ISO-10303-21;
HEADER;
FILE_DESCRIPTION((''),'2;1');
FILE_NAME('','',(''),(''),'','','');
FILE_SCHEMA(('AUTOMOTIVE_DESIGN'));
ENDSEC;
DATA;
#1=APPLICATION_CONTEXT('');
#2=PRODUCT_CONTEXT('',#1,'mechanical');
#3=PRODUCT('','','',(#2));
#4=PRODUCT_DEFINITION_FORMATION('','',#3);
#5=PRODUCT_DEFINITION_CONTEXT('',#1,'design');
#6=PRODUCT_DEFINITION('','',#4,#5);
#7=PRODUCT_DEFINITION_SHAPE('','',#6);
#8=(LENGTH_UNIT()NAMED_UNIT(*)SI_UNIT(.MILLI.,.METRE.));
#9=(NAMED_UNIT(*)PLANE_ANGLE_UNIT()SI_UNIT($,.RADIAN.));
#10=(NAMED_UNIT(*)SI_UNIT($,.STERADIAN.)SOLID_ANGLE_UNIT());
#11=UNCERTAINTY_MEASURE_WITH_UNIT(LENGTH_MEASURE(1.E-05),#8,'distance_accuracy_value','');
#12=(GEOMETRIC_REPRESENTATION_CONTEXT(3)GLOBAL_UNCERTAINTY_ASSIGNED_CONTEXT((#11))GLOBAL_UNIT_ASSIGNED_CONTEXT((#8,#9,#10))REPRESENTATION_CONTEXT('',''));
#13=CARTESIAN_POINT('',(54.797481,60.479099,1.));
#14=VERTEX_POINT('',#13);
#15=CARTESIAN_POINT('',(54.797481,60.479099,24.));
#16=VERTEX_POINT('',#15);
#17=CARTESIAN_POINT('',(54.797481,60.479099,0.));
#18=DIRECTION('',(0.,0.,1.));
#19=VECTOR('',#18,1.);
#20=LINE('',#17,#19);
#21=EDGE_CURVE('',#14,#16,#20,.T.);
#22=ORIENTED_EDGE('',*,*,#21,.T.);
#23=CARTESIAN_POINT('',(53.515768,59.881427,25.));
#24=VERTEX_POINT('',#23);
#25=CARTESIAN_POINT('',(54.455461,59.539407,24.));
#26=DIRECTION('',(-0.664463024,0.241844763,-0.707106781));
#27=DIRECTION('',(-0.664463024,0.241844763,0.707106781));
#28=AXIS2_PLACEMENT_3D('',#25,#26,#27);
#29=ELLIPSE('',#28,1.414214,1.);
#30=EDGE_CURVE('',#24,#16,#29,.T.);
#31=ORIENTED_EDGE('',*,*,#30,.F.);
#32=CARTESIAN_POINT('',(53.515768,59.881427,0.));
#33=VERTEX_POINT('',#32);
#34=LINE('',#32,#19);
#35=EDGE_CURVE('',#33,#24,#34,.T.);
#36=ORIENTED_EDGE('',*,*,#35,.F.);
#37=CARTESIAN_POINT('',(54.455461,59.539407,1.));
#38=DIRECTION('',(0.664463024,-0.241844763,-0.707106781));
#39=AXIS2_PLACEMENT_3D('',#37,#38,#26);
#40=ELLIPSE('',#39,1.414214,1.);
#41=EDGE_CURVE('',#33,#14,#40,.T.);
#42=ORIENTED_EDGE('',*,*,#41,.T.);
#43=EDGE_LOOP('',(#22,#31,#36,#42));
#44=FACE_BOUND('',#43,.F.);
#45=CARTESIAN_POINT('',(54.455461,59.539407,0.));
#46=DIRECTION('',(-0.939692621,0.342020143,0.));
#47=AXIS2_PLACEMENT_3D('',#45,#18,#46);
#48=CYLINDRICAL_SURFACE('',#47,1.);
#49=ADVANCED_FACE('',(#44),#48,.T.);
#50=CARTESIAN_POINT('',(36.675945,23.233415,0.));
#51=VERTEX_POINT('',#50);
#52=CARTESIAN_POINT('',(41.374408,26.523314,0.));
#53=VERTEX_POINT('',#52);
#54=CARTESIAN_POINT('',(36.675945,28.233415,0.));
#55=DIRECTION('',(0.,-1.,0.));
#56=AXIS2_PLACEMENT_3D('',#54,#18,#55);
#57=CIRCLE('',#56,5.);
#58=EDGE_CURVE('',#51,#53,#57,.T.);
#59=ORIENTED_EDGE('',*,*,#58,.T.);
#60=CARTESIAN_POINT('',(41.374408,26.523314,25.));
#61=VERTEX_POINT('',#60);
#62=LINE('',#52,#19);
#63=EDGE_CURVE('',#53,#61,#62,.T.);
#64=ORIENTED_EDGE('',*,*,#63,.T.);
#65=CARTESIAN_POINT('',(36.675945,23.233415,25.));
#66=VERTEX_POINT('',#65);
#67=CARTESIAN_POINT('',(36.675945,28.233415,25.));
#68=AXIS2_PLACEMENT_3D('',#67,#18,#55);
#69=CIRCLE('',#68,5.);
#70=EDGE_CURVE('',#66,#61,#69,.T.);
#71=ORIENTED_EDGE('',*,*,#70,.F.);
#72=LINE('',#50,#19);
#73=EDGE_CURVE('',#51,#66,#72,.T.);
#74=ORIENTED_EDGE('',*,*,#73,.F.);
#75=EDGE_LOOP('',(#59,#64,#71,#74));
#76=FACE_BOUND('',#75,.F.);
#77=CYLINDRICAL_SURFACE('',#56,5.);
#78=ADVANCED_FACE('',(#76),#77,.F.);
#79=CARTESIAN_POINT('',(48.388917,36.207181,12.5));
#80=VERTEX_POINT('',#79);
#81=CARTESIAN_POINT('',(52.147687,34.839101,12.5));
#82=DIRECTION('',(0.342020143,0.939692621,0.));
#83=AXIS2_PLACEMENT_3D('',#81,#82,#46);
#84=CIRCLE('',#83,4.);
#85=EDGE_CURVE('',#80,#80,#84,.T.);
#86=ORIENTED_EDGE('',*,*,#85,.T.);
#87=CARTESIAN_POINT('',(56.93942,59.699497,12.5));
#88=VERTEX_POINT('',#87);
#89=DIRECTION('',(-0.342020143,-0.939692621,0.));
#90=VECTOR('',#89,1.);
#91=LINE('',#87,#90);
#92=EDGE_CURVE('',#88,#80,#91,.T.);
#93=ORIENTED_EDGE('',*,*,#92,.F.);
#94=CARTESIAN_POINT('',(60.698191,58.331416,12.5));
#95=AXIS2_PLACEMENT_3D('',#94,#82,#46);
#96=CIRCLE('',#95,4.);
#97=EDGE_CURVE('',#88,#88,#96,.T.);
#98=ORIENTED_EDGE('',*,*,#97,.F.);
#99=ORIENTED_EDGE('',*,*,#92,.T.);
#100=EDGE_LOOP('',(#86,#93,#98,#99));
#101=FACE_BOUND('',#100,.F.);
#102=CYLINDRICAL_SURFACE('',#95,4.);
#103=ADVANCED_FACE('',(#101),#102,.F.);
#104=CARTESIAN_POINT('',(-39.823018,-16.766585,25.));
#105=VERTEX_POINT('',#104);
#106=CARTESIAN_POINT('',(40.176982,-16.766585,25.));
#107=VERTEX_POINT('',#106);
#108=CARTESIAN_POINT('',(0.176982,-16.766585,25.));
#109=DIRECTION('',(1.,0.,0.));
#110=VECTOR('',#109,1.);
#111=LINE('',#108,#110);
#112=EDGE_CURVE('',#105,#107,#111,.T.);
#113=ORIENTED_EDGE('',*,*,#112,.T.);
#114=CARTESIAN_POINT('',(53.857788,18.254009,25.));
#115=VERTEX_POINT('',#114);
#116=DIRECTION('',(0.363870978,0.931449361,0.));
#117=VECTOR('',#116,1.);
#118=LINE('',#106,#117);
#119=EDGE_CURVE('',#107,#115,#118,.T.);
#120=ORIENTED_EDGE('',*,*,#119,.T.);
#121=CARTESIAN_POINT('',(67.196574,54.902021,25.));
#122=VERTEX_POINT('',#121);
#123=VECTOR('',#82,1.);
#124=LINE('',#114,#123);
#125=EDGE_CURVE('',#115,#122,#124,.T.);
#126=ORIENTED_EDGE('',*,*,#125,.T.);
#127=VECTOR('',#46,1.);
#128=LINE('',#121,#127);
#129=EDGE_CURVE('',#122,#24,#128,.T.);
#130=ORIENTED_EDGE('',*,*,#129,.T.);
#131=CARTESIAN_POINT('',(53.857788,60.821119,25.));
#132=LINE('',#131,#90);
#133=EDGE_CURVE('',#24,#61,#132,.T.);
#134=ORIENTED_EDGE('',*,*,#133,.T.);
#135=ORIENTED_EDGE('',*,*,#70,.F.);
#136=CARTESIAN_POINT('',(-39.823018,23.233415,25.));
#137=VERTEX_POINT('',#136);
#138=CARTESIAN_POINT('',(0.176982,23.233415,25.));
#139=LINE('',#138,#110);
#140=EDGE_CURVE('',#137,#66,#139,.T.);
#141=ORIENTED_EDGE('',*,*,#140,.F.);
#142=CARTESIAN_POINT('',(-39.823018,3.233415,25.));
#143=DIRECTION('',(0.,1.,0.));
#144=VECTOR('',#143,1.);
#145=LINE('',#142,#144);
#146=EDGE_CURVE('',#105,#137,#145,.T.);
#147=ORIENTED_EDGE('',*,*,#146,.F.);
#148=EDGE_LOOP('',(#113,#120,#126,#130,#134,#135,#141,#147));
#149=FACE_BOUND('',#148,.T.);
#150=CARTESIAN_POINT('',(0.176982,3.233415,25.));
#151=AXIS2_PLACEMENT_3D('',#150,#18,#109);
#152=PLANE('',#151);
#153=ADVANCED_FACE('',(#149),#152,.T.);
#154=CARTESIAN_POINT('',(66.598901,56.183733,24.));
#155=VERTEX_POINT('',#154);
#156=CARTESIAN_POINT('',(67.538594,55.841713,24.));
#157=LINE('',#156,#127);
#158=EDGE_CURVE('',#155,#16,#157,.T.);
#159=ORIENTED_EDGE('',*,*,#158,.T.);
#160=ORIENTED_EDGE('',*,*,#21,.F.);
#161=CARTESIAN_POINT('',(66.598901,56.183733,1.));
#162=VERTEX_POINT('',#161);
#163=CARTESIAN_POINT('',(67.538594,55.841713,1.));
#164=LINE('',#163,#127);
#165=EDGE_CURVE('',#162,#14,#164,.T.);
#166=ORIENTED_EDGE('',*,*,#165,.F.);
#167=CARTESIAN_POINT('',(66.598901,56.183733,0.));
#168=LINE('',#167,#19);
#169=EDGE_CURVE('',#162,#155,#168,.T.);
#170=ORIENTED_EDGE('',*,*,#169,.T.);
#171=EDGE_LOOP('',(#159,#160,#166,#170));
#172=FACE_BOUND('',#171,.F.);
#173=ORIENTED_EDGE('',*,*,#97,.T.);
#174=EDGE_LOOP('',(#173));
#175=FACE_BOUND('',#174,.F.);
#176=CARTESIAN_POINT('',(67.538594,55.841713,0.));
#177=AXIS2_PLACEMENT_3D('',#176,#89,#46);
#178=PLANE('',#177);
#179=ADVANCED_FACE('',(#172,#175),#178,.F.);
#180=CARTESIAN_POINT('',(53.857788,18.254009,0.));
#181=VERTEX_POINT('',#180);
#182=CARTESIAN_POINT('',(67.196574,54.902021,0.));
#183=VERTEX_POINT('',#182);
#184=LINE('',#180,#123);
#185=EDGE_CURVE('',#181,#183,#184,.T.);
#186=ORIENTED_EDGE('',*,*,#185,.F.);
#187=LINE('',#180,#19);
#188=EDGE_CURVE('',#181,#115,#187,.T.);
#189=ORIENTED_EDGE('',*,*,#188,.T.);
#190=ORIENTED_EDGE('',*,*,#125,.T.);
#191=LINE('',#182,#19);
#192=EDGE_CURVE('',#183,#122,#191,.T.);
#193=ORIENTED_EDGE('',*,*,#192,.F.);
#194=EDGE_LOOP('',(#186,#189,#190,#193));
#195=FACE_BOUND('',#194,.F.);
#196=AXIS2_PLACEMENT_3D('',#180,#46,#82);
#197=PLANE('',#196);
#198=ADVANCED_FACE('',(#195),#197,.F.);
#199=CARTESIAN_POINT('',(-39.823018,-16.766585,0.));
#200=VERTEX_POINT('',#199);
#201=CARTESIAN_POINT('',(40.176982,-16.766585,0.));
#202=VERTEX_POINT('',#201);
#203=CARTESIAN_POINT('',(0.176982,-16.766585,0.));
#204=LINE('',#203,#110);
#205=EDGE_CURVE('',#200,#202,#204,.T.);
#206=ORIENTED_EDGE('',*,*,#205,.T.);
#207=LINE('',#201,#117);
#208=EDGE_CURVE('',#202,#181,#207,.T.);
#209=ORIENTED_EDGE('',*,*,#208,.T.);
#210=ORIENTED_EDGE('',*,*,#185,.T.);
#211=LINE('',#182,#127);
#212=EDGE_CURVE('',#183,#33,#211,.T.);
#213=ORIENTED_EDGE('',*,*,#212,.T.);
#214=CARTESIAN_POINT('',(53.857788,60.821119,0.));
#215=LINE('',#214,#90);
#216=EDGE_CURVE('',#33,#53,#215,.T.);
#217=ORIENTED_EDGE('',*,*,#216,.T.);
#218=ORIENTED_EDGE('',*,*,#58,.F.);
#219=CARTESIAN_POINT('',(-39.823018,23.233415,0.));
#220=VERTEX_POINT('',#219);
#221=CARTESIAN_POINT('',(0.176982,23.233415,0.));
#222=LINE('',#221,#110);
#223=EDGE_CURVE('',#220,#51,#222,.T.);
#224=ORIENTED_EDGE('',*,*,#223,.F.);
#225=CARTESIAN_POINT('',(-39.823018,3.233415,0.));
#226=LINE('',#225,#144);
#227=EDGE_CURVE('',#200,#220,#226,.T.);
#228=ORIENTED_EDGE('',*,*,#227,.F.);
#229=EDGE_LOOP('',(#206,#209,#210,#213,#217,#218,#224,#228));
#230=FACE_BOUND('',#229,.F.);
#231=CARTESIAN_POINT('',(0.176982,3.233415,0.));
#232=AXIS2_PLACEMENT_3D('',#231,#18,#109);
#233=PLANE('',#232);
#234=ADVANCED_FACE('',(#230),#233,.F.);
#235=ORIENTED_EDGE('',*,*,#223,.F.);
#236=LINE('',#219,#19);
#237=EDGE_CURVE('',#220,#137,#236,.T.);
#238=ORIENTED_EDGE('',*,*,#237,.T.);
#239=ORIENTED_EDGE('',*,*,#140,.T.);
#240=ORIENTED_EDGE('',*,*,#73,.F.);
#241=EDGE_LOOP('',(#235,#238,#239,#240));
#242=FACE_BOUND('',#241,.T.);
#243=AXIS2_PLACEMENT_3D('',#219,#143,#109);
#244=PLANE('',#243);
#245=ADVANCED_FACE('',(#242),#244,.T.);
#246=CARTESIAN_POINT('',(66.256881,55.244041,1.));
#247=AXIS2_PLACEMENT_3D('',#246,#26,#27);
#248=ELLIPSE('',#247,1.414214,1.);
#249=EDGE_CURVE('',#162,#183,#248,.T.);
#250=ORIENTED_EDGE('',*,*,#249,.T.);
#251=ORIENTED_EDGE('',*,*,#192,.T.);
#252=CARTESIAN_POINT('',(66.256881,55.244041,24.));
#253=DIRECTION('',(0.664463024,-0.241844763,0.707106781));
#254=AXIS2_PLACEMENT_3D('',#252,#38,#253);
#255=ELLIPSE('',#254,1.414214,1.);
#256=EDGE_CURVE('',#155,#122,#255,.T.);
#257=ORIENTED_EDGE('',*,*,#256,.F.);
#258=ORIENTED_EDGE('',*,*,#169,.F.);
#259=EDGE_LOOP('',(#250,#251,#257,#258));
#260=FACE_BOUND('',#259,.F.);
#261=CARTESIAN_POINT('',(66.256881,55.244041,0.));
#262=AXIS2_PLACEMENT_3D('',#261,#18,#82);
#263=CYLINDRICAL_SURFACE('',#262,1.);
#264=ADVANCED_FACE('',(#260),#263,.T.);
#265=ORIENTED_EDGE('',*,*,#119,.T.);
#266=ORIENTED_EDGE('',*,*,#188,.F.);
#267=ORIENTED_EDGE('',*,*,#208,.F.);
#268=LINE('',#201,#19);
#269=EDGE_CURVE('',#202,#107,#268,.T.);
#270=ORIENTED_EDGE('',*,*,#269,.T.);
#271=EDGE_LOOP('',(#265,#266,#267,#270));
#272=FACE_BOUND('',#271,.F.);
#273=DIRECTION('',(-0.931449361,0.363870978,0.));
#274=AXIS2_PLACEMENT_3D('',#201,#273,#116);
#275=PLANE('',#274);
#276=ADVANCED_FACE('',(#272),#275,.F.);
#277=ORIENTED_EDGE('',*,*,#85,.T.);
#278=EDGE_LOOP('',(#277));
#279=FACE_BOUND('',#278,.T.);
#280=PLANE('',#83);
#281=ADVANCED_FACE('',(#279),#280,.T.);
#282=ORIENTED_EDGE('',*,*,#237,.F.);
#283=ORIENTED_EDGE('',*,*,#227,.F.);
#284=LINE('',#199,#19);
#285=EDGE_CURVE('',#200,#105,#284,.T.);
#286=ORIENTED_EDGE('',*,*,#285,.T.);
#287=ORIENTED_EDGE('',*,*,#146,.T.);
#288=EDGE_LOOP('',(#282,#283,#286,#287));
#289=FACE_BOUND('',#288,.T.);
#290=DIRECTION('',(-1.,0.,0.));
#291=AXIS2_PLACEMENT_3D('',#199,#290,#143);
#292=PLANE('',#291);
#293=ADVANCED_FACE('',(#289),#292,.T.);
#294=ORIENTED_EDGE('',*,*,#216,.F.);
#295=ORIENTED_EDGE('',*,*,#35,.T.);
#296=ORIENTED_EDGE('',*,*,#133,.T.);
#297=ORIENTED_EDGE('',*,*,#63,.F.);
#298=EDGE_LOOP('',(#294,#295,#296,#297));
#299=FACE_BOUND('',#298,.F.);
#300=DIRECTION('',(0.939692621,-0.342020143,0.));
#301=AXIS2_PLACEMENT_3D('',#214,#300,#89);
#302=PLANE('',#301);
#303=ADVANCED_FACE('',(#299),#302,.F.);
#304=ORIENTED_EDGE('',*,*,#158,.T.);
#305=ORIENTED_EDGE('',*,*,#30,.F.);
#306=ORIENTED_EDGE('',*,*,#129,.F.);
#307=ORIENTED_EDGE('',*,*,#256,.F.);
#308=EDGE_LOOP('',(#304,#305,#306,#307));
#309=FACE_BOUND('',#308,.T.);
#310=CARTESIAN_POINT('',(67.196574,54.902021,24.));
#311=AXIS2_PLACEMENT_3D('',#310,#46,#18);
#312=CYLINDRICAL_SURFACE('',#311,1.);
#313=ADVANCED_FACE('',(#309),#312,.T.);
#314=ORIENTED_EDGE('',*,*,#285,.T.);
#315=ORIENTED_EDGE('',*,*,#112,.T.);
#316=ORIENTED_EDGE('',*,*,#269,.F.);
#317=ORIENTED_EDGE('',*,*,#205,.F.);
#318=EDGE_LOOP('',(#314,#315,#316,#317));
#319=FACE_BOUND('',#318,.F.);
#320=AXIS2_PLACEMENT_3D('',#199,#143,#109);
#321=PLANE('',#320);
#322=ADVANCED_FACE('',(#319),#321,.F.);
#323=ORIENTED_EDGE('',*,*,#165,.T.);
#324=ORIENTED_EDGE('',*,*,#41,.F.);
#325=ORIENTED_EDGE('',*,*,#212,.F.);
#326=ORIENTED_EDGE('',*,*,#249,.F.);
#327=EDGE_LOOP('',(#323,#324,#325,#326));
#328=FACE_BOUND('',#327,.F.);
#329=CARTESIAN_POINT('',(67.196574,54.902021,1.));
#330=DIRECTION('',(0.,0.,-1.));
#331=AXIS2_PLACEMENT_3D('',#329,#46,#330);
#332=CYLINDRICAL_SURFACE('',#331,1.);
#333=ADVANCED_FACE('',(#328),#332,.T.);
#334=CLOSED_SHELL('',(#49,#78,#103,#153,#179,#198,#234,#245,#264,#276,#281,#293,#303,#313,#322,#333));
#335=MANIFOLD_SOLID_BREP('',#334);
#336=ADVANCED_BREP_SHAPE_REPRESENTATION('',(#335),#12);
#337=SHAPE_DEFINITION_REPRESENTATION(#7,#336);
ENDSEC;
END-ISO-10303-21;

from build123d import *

# Parameters (mm, degrees)
F0_W     = 80
F0_H     = 40
F1_DEPTH = 25
F2_R     = 4
F3_DEPTH = 25
F4_R     = 5
F5_R     = 1


with BuildPart() as f1:
    # F0 (on Top) → F1 (new body)
    with BuildSketch(Plane.XY):
        with Locations((0.1769823041, 3.2334145788)):
            Rectangle(F0_W, F0_H)
        Polygon((40.1769823041, 23.2334145788), (40.1769823041, -16.7665854212), (53.8577880371, 18.2540085112), align=None)
        Polygon((53.8577880371, 60.8211194103), (40.1769823041, 23.2334145788), (53.8577880371, 18.2540085112), (67.5385937702, 55.8417133427), align=None)
    extrude(amount=F1_DEPTH)

    # F2 (on face) → F3 (cut)
    with BuildSketch(Plane(origin=(25.8476953784, 71.0159593971, 0), x_dir=(-0.9396926208, 0.3420201433, 0), z_dir=(0.3420201433, 0.9396926208, 0))):
        with Locations((-37.0871226977, 12.5)):
            Circle(F2_R)
    extrude(amount=-F3_DEPTH, mode=Mode.SUBTRACT)

    # F4
    f4_edges = [f1.edges().sort_by_distance(p)[0] for p in [
        (40.176982, 23.233415, 12.5),
    ]]
    fillet(f4_edges, radius=F4_R)

    # F5
    f5_edges = [f1.edges().sort_by_distance(p)[0] for p in [
        (67.538594, 55.841713, 12.5),
        (60.698191, 58.331416, 0),
        (53.857788, 60.821119, 12.5),
        (60.698191, 58.331416, 25),
    ]]
    fillet(f5_edges, radius=F5_R)


solid = f1.part
